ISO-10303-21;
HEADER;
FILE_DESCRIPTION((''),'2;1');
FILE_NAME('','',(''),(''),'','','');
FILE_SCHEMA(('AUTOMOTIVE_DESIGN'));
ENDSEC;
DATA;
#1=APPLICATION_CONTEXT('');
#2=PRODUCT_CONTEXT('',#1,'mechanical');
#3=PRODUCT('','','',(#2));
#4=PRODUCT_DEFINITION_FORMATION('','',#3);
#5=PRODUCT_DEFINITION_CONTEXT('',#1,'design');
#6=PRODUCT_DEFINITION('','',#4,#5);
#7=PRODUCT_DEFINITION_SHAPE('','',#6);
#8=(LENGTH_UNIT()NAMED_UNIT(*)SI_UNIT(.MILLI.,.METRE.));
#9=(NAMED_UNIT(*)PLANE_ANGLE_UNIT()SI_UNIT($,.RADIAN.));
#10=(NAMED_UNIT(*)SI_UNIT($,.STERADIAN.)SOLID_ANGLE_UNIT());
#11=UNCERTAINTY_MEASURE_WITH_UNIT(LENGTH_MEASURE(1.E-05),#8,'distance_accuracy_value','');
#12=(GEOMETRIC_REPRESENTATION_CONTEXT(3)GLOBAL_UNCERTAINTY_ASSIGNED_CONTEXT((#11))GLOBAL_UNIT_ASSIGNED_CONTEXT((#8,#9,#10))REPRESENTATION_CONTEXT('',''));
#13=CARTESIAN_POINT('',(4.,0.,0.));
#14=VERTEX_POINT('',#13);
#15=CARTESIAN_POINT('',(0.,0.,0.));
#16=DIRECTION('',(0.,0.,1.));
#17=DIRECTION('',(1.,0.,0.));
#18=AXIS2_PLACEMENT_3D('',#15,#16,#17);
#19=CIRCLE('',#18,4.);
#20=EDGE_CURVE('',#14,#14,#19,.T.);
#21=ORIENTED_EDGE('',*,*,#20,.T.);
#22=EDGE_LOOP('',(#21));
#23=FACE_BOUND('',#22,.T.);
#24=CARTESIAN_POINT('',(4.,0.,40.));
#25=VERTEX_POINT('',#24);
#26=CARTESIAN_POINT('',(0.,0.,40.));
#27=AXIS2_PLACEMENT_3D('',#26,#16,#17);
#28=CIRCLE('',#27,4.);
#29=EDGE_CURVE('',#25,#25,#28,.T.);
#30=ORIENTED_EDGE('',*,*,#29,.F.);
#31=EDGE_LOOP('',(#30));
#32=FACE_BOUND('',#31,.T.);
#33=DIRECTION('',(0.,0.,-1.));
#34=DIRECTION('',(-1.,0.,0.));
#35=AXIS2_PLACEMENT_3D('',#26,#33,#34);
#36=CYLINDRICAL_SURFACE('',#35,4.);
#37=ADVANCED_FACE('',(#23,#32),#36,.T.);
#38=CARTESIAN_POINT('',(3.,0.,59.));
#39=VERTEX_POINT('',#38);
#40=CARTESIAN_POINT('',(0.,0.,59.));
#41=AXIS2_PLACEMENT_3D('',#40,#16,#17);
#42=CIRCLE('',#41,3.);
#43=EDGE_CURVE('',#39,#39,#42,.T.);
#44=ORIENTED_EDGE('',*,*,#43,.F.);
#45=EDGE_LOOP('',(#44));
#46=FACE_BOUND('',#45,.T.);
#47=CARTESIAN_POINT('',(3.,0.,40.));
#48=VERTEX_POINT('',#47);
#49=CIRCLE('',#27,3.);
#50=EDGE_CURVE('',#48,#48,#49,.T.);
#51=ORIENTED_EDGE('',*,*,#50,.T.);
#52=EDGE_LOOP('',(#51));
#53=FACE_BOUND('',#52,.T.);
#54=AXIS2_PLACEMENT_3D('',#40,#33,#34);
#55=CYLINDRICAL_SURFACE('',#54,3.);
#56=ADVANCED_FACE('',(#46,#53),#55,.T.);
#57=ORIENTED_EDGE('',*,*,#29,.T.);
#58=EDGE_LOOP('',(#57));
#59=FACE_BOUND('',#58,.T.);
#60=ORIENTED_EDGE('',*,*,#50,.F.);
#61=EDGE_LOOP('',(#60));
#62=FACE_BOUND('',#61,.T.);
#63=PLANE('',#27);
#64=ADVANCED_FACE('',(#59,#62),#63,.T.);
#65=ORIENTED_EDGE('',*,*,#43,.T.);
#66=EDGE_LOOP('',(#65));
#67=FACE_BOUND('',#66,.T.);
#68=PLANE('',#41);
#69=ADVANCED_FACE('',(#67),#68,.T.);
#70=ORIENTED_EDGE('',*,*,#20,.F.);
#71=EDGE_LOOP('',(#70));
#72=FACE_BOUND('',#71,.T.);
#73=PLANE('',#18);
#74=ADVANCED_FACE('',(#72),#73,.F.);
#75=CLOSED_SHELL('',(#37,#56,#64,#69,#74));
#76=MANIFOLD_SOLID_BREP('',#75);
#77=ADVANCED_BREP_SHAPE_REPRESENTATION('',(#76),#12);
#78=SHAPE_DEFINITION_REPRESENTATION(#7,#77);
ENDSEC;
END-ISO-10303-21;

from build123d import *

# Parameters (mm, degrees)
S01_GROUND_8_MM_SLIDING_SURFACE_R       = 4
F_01_GROUND_8_MM_SLIDING_SURFACE_DEPTH  = 40
F_02_START                              = 40
S02_M6_RETAINING_THREAD_ENVELOPE_R      = 3
F_02_M6_RETAINING_THREAD_ENVELOPE_DEPTH = 19


with BuildPart() as part:
    # S01 - Ground 8 mm sliding surface → 01 - Ground 8 mm sliding surface (new body)
    with BuildSketch(Plane.XY):
        Circle(S01_GROUND_8_MM_SLIDING_SURFACE_R)
    extrude(amount=F_01_GROUND_8_MM_SLIDING_SURFACE_DEPTH)

    # S02 - M6 retaining thread envelope → 02 - M6 retaining thread envelope (add)
    with BuildSketch(Plane.XY.offset(F_02_START)):
        Circle(S02_M6_RETAINING_THREAD_ENVELOPE_R)
    extrude(amount=F_02_M6_RETAINING_THREAD_ENVELOPE_DEPTH)


solid = part.part
